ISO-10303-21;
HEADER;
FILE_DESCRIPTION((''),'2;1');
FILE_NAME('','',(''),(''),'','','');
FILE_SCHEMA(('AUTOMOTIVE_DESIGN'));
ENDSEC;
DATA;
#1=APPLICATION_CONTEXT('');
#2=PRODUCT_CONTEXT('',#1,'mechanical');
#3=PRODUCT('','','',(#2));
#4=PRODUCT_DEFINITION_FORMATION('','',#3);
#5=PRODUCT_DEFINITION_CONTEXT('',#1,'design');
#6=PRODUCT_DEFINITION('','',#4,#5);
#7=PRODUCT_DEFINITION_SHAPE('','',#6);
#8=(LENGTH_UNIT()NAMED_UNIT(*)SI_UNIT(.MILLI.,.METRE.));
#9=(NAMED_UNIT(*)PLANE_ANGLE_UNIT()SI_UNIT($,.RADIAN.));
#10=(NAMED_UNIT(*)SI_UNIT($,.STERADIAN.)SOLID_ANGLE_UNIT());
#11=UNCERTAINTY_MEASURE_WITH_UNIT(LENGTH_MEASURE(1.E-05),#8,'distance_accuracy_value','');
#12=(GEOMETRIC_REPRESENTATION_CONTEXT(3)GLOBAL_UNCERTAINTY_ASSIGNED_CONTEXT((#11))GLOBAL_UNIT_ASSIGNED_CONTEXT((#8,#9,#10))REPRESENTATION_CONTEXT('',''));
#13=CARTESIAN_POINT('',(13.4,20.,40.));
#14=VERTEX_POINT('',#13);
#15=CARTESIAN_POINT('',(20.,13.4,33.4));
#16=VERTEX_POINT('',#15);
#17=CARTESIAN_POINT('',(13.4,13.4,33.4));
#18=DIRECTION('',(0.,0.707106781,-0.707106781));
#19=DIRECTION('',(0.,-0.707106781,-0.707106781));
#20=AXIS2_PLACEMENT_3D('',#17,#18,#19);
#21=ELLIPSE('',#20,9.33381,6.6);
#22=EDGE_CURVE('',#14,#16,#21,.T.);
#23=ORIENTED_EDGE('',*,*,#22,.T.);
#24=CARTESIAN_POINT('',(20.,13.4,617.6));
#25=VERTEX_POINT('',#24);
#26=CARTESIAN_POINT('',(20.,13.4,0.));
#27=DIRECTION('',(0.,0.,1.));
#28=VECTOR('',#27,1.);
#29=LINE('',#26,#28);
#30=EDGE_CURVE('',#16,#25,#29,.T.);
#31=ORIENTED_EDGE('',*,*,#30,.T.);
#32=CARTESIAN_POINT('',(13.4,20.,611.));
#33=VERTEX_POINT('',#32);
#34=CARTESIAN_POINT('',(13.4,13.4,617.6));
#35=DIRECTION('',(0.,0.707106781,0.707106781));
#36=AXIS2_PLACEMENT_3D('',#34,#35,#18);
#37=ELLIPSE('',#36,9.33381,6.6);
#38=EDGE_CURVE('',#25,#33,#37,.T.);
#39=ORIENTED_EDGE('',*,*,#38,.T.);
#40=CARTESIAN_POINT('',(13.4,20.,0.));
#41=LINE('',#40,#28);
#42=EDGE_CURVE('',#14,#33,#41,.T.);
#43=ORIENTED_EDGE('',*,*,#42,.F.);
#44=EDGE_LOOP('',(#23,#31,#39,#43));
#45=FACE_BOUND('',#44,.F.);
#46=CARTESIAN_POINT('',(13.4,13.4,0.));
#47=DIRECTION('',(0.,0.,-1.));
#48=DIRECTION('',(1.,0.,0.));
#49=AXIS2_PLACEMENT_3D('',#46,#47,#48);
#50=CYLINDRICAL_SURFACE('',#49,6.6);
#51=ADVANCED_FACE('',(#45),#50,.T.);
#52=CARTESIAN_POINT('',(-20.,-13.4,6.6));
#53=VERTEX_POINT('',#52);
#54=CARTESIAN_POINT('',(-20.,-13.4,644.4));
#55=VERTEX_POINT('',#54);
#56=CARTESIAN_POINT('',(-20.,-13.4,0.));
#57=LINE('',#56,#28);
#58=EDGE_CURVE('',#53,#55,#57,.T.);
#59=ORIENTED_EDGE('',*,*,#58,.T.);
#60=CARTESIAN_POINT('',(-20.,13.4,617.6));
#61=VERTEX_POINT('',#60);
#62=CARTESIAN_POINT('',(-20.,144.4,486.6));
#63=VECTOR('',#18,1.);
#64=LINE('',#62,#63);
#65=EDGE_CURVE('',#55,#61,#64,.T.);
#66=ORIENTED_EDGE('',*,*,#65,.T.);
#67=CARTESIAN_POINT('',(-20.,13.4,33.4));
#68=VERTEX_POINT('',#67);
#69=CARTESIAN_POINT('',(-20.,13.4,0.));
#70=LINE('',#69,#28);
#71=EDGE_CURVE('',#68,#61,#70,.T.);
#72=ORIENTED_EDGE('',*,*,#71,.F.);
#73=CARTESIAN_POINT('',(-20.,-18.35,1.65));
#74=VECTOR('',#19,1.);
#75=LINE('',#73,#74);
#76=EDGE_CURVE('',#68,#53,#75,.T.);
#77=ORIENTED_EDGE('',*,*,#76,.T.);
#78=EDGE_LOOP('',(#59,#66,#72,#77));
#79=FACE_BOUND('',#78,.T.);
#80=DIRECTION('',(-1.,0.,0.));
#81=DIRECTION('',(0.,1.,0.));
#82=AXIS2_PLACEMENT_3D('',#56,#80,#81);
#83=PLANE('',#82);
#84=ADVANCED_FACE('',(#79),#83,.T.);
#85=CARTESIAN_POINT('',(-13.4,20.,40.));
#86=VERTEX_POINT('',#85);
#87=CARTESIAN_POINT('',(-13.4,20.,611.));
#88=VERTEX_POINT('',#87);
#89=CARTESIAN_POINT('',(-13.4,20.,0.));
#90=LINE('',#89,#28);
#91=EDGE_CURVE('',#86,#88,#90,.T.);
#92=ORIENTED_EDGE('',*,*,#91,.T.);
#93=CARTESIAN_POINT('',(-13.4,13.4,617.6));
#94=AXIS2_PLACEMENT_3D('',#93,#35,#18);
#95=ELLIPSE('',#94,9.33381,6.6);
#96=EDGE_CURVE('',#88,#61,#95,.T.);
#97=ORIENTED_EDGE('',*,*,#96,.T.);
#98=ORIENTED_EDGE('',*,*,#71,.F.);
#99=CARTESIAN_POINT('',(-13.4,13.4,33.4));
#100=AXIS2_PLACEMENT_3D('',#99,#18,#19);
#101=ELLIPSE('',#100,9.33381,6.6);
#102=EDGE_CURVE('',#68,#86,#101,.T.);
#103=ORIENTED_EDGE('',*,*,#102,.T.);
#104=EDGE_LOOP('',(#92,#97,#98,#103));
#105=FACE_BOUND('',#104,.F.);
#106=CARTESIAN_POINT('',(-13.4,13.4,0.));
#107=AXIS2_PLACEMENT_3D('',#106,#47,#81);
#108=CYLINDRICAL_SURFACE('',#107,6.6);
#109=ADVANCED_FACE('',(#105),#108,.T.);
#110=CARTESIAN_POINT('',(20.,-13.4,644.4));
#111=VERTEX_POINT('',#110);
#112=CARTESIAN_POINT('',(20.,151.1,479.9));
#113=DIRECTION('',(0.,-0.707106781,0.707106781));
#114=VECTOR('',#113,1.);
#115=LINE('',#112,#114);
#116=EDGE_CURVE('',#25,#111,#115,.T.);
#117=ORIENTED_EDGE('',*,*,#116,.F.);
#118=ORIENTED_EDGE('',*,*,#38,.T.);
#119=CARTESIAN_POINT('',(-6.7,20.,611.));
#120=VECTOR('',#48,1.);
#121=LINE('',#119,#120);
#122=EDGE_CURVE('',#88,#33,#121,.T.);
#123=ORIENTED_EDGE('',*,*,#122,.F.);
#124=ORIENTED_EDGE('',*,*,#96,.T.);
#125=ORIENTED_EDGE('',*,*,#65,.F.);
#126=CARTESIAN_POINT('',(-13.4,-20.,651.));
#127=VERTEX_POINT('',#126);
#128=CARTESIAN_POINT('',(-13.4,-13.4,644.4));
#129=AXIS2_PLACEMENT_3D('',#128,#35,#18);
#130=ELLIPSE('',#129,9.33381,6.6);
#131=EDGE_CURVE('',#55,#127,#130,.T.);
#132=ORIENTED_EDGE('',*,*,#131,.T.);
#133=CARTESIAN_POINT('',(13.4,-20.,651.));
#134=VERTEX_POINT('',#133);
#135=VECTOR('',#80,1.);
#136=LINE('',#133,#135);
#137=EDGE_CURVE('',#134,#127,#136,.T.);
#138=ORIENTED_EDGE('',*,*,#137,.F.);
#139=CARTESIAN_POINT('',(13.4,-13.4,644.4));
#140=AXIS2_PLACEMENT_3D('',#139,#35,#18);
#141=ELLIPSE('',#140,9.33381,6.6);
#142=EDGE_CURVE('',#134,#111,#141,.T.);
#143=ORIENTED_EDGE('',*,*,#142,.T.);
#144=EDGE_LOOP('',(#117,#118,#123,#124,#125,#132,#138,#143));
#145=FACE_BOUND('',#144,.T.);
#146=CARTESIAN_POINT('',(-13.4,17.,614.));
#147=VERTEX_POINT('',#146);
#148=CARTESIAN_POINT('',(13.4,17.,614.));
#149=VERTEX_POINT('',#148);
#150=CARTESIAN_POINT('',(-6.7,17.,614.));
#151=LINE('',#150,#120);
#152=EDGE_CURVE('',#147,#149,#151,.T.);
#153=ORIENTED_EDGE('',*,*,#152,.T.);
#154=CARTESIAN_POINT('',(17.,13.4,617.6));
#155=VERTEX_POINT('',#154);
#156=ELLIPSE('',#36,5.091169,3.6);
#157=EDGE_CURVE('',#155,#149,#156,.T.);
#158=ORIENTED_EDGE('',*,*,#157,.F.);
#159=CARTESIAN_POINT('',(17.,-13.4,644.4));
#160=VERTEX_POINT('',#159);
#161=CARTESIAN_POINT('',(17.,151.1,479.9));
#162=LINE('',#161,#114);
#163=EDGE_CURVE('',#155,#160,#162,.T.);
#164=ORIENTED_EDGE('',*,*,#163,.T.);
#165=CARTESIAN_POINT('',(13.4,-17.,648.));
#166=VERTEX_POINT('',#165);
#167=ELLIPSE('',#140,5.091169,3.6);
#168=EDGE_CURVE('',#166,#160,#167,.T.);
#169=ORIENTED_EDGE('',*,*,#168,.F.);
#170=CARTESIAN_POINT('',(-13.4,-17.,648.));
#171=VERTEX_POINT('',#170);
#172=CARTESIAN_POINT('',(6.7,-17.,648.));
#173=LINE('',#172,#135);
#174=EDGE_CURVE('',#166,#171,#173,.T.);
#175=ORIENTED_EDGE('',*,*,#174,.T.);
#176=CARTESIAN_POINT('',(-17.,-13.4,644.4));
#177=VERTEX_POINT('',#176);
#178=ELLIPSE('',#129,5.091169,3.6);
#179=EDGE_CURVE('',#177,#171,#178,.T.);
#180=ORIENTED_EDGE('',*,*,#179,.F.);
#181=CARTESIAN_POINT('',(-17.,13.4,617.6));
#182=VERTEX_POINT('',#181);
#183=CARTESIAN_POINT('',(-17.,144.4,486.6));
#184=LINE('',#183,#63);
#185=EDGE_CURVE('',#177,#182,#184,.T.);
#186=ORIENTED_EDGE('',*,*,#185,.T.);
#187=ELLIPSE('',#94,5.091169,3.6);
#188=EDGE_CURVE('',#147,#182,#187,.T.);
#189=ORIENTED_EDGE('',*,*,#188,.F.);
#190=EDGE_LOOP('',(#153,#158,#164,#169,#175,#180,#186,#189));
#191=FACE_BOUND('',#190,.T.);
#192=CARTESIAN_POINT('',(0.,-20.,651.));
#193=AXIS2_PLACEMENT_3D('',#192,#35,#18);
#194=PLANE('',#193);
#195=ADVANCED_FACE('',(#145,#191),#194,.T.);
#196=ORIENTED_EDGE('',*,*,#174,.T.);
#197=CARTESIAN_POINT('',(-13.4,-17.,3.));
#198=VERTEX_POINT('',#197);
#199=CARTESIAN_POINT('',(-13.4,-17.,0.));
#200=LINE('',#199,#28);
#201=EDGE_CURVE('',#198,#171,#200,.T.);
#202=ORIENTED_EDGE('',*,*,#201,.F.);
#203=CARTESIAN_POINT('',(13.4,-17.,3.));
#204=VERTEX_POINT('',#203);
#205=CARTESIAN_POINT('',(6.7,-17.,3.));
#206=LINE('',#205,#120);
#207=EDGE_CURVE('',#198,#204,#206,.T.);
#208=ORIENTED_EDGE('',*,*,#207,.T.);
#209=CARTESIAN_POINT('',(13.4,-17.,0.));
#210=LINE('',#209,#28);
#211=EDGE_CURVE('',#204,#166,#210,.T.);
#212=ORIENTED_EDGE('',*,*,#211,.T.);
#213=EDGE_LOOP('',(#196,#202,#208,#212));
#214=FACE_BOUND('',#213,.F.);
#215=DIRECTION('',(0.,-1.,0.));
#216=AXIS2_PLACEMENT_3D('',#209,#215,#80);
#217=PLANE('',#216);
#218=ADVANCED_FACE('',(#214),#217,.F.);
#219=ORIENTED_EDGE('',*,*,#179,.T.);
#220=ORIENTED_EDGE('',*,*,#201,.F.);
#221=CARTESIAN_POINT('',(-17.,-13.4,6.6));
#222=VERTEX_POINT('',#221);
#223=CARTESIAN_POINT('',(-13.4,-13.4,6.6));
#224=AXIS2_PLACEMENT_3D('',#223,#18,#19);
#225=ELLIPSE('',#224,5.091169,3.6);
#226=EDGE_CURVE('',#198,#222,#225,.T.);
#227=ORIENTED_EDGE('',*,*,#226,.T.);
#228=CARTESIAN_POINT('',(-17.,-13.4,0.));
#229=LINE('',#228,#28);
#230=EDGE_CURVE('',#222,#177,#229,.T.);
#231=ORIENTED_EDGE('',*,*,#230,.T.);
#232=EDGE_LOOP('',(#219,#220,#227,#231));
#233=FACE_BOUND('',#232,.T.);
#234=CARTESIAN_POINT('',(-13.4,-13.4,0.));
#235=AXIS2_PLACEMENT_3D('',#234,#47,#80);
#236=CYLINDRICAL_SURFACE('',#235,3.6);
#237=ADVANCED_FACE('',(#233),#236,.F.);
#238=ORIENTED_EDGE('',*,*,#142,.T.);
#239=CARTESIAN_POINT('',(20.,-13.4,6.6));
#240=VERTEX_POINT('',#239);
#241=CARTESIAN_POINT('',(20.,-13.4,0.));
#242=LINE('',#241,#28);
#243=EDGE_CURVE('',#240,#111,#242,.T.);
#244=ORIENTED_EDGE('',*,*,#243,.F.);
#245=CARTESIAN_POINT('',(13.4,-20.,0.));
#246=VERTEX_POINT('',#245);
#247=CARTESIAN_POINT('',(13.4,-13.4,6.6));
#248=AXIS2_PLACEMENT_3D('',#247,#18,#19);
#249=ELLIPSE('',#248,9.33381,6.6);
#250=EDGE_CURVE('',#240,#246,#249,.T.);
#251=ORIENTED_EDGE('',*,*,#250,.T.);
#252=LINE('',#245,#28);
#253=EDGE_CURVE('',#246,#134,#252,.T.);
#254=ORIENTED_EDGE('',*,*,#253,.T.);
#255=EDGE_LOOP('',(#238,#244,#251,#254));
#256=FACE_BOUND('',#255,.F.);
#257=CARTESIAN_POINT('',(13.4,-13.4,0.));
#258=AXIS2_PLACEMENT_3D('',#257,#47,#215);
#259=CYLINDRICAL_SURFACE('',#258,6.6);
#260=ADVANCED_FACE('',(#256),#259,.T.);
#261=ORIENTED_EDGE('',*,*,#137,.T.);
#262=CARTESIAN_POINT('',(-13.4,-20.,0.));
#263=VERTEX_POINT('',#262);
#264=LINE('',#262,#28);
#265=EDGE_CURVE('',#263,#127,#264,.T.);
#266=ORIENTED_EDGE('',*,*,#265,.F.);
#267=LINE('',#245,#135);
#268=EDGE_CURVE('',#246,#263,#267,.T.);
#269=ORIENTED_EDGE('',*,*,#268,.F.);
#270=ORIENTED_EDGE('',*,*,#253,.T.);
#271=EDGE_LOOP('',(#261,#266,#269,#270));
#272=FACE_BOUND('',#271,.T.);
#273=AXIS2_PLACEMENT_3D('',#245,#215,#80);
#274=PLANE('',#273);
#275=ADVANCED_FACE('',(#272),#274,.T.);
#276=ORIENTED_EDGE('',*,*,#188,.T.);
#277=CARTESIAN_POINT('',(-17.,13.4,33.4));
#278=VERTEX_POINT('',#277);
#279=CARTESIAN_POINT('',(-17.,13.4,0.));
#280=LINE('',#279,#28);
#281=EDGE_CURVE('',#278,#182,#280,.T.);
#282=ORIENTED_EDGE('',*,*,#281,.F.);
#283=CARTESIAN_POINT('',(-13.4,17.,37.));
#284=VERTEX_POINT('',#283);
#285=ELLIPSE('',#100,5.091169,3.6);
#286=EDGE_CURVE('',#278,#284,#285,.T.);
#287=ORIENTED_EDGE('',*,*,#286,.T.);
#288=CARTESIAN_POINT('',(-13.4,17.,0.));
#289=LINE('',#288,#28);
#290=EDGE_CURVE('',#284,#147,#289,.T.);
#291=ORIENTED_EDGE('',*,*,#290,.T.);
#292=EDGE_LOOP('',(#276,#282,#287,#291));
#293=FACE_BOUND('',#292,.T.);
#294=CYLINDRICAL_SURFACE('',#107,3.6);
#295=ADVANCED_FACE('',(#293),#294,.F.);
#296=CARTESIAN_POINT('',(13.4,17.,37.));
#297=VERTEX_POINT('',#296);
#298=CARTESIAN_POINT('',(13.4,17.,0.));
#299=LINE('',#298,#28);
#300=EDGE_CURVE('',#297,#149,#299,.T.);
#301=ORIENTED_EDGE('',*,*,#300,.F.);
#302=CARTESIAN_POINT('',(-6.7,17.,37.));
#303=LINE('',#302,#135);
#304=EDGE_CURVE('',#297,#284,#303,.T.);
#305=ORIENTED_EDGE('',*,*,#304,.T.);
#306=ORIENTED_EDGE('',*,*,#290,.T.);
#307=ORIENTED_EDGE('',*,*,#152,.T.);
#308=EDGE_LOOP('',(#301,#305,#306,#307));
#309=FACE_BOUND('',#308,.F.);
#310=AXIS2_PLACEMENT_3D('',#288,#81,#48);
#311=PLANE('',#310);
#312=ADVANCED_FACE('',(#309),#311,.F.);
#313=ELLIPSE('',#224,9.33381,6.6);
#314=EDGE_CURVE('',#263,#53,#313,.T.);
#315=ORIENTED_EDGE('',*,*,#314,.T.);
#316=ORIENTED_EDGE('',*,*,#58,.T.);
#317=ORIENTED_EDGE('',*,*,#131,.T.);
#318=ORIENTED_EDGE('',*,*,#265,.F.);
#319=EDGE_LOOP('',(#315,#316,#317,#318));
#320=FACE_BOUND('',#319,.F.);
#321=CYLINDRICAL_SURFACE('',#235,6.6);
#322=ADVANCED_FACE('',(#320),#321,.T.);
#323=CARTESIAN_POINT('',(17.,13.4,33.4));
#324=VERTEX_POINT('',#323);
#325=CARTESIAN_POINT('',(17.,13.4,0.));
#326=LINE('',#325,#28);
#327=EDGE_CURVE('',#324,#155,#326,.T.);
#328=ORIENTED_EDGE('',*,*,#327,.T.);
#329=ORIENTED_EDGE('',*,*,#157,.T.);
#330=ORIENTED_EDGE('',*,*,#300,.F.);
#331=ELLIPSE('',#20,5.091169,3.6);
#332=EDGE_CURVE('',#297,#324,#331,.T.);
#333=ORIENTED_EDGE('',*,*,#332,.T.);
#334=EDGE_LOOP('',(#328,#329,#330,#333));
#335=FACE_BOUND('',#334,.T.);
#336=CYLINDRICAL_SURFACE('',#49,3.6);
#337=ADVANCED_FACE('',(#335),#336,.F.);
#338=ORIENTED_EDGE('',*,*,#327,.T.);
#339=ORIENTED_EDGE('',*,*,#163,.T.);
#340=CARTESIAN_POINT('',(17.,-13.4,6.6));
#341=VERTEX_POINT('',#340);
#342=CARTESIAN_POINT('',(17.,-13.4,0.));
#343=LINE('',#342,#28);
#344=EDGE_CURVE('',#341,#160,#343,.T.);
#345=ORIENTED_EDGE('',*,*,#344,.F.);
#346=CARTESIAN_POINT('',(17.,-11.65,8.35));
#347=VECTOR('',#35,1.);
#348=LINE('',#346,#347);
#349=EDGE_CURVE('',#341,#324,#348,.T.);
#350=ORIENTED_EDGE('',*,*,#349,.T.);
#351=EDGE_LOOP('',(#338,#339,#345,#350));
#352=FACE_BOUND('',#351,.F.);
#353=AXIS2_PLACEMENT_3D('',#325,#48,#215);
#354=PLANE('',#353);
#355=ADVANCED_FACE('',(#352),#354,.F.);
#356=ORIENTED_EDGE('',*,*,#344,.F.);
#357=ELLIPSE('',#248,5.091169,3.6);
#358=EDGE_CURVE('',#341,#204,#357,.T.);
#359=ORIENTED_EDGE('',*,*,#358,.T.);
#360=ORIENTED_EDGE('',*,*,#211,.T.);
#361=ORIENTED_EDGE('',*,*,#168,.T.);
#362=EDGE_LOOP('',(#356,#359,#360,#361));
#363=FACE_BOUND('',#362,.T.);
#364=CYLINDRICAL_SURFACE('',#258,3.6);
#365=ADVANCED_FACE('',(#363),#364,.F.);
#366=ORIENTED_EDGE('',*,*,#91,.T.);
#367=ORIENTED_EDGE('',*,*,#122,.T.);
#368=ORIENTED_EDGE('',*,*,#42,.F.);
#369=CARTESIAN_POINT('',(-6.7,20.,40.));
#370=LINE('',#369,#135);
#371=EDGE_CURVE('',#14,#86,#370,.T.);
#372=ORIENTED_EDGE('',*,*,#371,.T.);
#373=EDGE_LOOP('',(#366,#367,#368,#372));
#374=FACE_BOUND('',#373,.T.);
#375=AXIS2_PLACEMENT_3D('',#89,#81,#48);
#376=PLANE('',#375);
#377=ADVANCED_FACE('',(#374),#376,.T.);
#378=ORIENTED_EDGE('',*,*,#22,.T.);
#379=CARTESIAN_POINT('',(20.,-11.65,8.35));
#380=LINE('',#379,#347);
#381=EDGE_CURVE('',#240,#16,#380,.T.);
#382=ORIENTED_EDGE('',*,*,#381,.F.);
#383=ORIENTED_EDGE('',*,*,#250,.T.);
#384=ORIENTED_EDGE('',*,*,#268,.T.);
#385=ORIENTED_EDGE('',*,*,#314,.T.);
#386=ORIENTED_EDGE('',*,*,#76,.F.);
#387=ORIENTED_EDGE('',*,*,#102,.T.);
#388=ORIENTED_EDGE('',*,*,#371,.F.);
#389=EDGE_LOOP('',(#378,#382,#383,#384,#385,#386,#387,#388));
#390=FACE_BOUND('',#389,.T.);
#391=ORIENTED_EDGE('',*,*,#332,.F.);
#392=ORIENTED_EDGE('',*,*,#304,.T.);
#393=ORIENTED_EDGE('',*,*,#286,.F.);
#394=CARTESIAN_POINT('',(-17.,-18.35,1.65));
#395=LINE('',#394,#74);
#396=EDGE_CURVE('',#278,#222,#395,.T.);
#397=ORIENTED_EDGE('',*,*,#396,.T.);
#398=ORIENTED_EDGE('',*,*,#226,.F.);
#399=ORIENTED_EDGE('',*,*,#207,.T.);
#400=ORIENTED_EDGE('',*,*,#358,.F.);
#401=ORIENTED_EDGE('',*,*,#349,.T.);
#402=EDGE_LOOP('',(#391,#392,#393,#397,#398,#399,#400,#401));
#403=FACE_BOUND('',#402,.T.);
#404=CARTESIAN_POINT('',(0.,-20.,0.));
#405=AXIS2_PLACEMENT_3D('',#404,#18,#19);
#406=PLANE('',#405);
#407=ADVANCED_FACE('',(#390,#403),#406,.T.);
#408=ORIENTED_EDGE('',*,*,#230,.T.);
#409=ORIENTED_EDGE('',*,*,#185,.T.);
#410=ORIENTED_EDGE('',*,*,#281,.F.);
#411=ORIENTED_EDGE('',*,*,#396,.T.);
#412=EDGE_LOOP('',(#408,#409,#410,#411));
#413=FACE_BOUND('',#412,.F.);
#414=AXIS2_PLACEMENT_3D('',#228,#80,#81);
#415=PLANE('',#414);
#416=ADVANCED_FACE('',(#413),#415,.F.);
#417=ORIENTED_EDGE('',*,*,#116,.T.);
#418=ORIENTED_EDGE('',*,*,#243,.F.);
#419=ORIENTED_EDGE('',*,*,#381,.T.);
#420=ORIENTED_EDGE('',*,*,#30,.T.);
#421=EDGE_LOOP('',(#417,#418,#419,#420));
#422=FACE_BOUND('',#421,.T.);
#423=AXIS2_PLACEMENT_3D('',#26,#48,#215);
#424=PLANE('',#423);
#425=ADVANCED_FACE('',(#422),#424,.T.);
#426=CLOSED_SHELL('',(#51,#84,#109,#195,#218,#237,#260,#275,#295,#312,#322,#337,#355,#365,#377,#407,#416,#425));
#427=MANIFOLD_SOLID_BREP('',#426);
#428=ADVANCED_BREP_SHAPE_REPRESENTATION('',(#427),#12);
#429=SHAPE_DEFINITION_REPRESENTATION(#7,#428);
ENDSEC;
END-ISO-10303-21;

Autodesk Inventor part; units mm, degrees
ref_plane "Start plane" through (0, 0, 0) normal (0, 0, 1) x (1, 0, 0)
ref_plane "End plane" through (0, 0, 651) normal (0, 0, 1) x (1, 0, 0)
sketch "Sketch" plane through (0, 0, 0) normal (0, 0, 1) x (1, 0, 0)
  line L0 (-20, -13.4) -> (-20, 13.4)
  line L1 (-13.4, 20) -> (13.4, 20)
  line L2 (20, 13.4) -> (20, -13.4)
  line L3 (13.4, -20) -> (-13.4, -20)
  arc A0 (-20, -13.4) -> (-13.4, -20) centre (-13.4, -13.4) ccw
  arc A1 (-13.4, 20) -> (-20, 13.4) centre (-13.4, 13.4) ccw
  arc A2 (20, 13.4) -> (13.4, 20) centre (13.4, 13.4) ccw
  arc A3 (13.4, -20) -> (20, -13.4) centre (13.4, -13.4) ccw
  arc A4 (-13.4, 17) -> (-17, 13.4) centre (-13.4, 13.4) ccw
  line L4 (-13.4, 17) -> (13.4, 17)
  arc A5 (17, 13.4) -> (13.4, 17) centre (13.4, 13.4) ccw
  line L5 (17, 13.4) -> (17, -13.4)
  arc A6 (13.4, -17) -> (17, -13.4) centre (13.4, -13.4) ccw
  line L6 (13.4, -17) -> (-13.4, -17)
  arc A7 (-17, -13.4) -> (-13.4, -17) centre (-13.4, -13.4) ccw
  line L7 (-17, -13.4) -> (-17, 13.4)
  line L8 (0, 22.0873) -> (0, -22.0873) construction
  line L9 (-22.0873, 0) -> (22.0873, 0) construction
  dimension "d7" = 6.6
  dimension "d10" = 40
  dimension "d11" = 40
  dimension "d12" = 3
  dimension "d15" = 20
  dimension "d16" = 20
extrude "Body" add sketch "Sketch" along normal up to surface (651 mm away) from surface at 0
sketch "Sketch3" plane through (0, 0, 0) normal (0, 0, 1) x (1, 0, 0)
  line L0 (0, 0) -> (10, 0)
ref_plane "Work Plane3" through (0, 0, 0) normal (0, -1, 0) x (1, 0, 0)
sketch "Sketch4" plane through (0, 0, 0) normal (0, -1, 0) x (1, 0, 0)
  line L0 (-2, 0) -> (12, 0)
  line L1 (-2, 651) -> (12, 651)
  dimension "d18" = 651
ref_plane "Work Plane4" through (0, -20, 0) normal (0, 0.7071, -0.7071) x (1, 0, 0)
split "Split1" plane through (0, -20, 0) removes the side toward (0, 0.7071, -0.7071)
ref_plane "Work Plane5" through (0, -20, 651) normal (0, 0.7071, 0.7071) x (1, 0, 0)
split "Split2" plane through (0, -20, 651) removes the side toward (0, 0.7071, 0.7071)
equation "\"d7\" = G_IR"
equation "\"d10\" = G_H"
equation "\"d11\" = G_W"
equation "\"d12\" = G_T"
equation "\"d15\" = 0.5 * d10"
equation "\"d16\" = 0.5 * d11"
equation "\"d3\" = G_L"
equation "\"G_W\" = 40"
equation "\"G_H\" = 40"
equation "\"G_T\" = 3"
equation "\"G_IR\" = 6.6"
equation "\"G_L\" = d18"
equation "\"G_OFFSET_START\" = 0"
equation "\"G_OFFSET_END\" = 0"
equation "\"d14\" = G_OFFSET_END + B_L"
equation "\"B_L\" = 651"
properties part number "DIN EN 10305-5 - 40 x 40 x 3  - 651" material "Steel, Mild"
